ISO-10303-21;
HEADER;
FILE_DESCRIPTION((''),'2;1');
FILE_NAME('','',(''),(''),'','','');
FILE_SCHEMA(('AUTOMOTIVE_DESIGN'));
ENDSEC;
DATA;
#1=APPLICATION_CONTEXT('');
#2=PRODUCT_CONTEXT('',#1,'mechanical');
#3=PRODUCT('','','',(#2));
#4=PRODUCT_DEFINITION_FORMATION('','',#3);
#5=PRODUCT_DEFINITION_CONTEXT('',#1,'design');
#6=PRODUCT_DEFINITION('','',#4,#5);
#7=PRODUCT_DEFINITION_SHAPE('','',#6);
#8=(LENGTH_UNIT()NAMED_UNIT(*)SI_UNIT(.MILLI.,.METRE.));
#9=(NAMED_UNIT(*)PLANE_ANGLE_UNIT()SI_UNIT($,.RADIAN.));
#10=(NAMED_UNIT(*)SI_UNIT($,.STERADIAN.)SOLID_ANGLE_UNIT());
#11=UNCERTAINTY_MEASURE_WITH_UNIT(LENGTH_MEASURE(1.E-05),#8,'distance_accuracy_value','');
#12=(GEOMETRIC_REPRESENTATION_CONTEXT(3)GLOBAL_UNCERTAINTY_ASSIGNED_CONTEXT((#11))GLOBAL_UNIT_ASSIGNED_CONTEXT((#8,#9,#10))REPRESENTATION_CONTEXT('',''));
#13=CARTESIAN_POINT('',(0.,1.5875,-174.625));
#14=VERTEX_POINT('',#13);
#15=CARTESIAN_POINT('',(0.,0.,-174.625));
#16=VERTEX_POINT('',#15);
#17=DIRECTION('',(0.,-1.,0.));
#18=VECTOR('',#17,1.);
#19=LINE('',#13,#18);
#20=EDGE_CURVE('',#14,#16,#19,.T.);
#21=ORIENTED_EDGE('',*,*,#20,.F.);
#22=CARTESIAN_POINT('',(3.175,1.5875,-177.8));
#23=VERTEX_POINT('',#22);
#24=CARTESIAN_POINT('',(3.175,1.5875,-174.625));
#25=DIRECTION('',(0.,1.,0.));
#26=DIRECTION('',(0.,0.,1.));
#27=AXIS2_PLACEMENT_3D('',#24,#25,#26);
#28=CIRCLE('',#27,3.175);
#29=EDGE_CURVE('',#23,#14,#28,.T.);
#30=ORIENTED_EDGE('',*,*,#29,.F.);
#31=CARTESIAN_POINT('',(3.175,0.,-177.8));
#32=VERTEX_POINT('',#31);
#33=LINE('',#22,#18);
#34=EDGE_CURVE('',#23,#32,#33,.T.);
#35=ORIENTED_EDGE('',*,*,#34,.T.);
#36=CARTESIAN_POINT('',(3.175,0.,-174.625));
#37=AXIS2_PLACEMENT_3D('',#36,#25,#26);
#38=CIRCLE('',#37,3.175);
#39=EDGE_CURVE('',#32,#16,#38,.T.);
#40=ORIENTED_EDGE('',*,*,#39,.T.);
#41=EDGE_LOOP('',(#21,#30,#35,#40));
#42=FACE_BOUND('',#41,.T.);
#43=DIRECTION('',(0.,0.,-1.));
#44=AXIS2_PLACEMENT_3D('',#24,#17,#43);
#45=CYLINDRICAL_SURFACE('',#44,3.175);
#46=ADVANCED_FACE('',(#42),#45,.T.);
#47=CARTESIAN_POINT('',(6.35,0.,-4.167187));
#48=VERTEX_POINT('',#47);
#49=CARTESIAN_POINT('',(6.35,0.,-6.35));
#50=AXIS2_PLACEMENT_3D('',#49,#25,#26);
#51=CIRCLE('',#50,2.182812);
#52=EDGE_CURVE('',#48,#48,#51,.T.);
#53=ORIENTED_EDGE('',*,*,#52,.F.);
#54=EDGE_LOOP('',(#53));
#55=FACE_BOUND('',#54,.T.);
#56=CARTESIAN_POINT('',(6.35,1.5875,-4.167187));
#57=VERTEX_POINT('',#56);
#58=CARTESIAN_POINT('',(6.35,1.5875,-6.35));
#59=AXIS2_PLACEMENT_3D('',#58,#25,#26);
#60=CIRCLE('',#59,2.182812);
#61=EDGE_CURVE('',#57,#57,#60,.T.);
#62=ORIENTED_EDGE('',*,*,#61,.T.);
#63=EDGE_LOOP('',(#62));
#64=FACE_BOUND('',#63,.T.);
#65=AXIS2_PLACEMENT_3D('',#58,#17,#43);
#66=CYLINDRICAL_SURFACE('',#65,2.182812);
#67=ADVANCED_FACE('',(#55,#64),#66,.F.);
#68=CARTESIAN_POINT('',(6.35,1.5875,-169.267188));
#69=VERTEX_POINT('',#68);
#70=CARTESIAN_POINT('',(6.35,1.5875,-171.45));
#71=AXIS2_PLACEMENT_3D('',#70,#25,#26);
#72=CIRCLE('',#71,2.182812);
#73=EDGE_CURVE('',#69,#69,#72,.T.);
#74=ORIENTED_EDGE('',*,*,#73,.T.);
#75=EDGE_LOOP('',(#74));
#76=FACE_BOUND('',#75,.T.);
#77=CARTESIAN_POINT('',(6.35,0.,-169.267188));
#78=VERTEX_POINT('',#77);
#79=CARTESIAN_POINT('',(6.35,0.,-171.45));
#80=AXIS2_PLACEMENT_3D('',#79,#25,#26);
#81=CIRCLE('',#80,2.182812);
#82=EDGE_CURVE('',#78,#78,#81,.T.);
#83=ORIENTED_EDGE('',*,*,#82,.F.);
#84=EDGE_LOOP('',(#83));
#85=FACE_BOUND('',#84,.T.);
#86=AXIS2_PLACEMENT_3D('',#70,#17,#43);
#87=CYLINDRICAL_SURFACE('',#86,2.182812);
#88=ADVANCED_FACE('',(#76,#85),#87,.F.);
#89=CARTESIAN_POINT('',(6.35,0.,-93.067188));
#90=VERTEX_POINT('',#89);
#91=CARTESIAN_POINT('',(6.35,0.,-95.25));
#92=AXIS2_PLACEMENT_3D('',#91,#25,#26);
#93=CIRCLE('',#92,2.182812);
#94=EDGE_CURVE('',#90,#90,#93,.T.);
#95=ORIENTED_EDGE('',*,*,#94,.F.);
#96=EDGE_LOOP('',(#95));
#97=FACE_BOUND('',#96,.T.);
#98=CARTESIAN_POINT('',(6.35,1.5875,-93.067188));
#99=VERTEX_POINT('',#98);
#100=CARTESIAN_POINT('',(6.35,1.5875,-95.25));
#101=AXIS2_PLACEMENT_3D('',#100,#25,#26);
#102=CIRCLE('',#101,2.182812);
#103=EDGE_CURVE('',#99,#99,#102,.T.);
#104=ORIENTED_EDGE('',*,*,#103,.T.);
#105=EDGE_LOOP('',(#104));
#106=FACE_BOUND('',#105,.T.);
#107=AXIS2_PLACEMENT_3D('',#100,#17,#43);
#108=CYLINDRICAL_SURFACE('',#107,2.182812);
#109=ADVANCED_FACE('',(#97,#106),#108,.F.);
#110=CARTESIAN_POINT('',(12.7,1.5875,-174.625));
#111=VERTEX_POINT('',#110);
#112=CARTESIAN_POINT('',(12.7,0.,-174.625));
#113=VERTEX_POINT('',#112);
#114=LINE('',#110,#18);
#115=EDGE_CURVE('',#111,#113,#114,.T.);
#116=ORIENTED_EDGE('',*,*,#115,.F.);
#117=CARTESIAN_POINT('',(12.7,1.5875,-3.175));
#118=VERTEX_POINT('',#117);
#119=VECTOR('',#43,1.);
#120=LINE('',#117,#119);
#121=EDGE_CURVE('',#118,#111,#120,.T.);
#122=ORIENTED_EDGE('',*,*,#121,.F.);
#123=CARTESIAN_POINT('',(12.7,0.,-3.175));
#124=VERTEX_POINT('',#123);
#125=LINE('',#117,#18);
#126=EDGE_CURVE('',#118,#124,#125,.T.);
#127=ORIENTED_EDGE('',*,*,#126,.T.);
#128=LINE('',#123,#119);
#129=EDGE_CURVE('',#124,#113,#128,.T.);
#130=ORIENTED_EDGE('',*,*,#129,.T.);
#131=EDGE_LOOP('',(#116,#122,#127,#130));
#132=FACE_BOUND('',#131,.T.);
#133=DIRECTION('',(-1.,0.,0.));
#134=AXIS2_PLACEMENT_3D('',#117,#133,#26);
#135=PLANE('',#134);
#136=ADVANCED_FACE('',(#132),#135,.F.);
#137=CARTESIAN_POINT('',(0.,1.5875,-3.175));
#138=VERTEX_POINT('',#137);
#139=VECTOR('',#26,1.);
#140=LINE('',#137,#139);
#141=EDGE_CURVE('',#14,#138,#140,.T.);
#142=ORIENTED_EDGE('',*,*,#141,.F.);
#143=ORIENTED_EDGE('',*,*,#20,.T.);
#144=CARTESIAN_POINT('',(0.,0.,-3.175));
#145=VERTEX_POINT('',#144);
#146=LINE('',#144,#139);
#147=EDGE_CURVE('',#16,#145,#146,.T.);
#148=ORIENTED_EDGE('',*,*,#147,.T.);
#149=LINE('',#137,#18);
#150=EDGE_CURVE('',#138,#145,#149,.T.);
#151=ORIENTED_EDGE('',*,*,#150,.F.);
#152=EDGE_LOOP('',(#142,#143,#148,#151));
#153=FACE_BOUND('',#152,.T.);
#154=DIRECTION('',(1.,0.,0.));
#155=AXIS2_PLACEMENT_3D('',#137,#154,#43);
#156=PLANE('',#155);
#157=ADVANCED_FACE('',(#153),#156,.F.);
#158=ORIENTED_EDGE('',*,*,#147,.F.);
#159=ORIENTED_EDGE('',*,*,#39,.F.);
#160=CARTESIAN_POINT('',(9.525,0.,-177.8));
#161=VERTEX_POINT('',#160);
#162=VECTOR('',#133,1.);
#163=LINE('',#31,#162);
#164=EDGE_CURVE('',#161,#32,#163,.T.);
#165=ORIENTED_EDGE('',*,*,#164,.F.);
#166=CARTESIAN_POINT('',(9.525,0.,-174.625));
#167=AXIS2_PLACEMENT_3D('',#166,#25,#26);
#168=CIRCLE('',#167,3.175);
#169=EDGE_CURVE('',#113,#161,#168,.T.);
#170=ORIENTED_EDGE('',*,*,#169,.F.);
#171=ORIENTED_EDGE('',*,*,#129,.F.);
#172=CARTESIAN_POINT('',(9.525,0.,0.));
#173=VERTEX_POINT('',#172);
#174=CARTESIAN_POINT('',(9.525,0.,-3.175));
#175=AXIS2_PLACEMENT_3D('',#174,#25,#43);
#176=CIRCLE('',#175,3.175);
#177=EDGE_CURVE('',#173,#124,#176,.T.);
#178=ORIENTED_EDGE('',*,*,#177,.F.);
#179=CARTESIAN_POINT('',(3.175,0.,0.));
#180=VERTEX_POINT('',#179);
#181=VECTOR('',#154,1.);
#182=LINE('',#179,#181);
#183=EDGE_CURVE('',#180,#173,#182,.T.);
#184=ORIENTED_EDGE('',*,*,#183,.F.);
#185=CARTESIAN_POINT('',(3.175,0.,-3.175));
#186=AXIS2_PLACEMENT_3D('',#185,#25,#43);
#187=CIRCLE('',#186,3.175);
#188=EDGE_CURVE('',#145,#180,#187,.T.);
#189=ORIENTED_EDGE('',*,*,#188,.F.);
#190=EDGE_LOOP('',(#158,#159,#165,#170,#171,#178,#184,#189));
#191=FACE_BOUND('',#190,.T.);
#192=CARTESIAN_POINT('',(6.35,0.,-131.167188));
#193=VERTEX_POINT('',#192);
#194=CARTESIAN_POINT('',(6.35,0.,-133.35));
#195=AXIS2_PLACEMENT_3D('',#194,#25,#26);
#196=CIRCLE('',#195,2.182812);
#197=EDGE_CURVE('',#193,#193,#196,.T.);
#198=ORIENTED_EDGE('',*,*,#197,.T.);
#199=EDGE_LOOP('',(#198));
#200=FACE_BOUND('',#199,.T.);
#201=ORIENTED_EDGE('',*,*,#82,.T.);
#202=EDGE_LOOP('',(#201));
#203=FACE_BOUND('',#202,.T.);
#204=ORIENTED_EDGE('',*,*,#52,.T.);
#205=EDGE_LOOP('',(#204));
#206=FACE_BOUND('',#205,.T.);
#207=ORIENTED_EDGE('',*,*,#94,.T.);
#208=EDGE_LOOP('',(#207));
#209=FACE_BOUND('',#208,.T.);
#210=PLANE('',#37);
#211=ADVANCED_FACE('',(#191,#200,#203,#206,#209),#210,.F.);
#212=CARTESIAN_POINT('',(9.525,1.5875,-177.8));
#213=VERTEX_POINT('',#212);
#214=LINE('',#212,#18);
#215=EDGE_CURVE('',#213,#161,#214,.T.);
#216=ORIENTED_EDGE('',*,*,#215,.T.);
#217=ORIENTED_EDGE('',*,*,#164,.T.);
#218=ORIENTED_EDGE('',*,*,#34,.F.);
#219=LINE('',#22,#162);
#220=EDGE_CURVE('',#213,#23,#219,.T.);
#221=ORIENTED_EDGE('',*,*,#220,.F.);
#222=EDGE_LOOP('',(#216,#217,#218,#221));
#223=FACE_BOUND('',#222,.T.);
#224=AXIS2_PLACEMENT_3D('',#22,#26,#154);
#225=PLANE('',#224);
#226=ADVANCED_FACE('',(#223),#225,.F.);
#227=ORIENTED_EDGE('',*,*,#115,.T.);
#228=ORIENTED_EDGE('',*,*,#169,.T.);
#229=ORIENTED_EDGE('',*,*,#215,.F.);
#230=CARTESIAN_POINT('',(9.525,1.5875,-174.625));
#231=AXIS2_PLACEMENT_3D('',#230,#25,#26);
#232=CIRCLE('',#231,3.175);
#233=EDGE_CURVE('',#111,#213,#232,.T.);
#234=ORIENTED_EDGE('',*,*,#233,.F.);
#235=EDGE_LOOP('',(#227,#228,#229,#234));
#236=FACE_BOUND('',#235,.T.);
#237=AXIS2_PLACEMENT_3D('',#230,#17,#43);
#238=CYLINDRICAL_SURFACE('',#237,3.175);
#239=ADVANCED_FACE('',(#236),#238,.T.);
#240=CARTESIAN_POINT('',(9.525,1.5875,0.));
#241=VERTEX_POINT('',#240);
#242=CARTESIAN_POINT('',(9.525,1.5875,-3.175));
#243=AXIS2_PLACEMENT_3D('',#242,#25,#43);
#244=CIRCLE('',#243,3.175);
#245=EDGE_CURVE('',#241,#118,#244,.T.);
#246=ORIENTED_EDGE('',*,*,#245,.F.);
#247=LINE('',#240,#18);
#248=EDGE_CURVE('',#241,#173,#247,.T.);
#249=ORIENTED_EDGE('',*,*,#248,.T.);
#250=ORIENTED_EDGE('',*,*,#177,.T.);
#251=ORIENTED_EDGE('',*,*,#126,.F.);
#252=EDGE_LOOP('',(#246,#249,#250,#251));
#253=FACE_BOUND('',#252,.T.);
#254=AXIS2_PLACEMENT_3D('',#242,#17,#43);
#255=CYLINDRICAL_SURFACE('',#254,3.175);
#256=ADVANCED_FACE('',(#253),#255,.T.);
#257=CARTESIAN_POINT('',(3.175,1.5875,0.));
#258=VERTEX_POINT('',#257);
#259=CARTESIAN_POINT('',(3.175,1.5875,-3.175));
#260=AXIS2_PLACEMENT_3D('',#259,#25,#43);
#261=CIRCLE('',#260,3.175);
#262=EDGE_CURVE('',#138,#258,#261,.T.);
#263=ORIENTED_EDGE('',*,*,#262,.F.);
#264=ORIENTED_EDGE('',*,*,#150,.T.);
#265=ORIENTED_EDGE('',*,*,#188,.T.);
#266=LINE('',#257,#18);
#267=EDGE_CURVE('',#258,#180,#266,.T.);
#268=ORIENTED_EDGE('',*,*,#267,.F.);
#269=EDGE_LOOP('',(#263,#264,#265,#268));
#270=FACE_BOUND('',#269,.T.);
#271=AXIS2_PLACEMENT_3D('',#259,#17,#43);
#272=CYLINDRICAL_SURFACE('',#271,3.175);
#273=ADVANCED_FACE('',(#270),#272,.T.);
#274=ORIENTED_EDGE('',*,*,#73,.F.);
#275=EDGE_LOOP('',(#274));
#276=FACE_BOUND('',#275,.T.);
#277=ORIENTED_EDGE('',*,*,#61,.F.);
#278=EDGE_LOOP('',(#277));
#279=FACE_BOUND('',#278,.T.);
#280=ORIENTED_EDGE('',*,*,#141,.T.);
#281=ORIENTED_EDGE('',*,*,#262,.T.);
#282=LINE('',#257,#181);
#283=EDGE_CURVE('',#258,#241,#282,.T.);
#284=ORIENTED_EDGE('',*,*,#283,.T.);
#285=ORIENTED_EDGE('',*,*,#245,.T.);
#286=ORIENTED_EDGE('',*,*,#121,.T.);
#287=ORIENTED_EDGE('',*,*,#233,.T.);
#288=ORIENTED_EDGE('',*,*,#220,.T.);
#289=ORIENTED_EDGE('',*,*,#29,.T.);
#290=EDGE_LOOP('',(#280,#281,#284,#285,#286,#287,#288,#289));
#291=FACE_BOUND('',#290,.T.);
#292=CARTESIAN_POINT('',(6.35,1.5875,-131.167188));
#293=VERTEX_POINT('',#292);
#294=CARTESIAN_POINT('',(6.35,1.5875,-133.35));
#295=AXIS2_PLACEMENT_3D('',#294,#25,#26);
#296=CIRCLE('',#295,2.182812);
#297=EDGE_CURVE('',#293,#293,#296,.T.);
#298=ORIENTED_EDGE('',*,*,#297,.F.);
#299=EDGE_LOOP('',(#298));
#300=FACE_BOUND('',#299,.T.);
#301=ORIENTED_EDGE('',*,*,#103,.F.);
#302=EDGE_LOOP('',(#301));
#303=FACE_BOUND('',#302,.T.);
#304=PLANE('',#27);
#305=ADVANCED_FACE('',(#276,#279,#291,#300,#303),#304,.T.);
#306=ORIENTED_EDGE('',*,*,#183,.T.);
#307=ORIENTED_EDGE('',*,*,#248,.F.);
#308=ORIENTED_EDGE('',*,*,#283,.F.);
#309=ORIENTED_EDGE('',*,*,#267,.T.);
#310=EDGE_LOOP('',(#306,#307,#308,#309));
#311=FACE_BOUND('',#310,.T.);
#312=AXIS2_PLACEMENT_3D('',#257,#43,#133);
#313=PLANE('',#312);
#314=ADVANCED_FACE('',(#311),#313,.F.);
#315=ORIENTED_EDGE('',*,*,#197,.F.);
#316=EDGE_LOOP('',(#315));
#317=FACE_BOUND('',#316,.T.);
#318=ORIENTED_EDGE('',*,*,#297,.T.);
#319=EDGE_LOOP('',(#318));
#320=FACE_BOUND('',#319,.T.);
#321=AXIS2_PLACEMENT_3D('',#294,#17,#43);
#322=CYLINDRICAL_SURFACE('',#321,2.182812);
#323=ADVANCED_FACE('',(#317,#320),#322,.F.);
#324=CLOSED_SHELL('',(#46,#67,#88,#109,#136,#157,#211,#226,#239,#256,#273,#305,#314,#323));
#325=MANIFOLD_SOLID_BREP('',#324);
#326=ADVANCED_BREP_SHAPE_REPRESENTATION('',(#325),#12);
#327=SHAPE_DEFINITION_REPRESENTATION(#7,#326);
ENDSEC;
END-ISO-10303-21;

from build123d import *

# Parameters (mm, degrees)
SKETCH1_R           = 2.1828125
BOSS_EXTRUDE1_DEPTH = 1.5875


with BuildPart() as part:
    # Sketch1 → Boss-Extrude1 (new body)
    with BuildSketch(Plane(origin=(0, 0, 0), x_dir=(1, 0, 0), z_dir=(0, 1, 0))):
        with BuildLine():
            Line((3.175, 0), (9.525, 0))
            ThreePointArc((9.525, 0), (11.77006403, 0.92993597), (12.7, 3.175))
            Line((12.7, 3.175), (12.7, 174.625))
            ThreePointArc((12.7, 174.625), (11.77006403, 176.87006403), (9.525, 177.8))
            Line((9.525, 177.8), (3.175, 177.8))
            ThreePointArc((3.175, 177.8), (0.92993597, 176.87006403), (0, 174.625))
            Line((0, 174.625), (0, 3.175))
            ThreePointArc((0, 3.175), (0.92993597, 0.92993597), (3.175, 0))
        make_face()
        with Locations((6.35, 171.45)):
            Circle(SKETCH1_R, mode=Mode.SUBTRACT)
        with Locations((6.35, 6.35)):
            Circle(SKETCH1_R, mode=Mode.SUBTRACT)
        with Locations((6.35, 133.35)):
            Circle(SKETCH1_R, mode=Mode.SUBTRACT)
        with Locations((6.35, 95.25)):
            Circle(SKETCH1_R, mode=Mode.SUBTRACT)
    extrude(amount=BOSS_EXTRUDE1_DEPTH)


solid = part.part
